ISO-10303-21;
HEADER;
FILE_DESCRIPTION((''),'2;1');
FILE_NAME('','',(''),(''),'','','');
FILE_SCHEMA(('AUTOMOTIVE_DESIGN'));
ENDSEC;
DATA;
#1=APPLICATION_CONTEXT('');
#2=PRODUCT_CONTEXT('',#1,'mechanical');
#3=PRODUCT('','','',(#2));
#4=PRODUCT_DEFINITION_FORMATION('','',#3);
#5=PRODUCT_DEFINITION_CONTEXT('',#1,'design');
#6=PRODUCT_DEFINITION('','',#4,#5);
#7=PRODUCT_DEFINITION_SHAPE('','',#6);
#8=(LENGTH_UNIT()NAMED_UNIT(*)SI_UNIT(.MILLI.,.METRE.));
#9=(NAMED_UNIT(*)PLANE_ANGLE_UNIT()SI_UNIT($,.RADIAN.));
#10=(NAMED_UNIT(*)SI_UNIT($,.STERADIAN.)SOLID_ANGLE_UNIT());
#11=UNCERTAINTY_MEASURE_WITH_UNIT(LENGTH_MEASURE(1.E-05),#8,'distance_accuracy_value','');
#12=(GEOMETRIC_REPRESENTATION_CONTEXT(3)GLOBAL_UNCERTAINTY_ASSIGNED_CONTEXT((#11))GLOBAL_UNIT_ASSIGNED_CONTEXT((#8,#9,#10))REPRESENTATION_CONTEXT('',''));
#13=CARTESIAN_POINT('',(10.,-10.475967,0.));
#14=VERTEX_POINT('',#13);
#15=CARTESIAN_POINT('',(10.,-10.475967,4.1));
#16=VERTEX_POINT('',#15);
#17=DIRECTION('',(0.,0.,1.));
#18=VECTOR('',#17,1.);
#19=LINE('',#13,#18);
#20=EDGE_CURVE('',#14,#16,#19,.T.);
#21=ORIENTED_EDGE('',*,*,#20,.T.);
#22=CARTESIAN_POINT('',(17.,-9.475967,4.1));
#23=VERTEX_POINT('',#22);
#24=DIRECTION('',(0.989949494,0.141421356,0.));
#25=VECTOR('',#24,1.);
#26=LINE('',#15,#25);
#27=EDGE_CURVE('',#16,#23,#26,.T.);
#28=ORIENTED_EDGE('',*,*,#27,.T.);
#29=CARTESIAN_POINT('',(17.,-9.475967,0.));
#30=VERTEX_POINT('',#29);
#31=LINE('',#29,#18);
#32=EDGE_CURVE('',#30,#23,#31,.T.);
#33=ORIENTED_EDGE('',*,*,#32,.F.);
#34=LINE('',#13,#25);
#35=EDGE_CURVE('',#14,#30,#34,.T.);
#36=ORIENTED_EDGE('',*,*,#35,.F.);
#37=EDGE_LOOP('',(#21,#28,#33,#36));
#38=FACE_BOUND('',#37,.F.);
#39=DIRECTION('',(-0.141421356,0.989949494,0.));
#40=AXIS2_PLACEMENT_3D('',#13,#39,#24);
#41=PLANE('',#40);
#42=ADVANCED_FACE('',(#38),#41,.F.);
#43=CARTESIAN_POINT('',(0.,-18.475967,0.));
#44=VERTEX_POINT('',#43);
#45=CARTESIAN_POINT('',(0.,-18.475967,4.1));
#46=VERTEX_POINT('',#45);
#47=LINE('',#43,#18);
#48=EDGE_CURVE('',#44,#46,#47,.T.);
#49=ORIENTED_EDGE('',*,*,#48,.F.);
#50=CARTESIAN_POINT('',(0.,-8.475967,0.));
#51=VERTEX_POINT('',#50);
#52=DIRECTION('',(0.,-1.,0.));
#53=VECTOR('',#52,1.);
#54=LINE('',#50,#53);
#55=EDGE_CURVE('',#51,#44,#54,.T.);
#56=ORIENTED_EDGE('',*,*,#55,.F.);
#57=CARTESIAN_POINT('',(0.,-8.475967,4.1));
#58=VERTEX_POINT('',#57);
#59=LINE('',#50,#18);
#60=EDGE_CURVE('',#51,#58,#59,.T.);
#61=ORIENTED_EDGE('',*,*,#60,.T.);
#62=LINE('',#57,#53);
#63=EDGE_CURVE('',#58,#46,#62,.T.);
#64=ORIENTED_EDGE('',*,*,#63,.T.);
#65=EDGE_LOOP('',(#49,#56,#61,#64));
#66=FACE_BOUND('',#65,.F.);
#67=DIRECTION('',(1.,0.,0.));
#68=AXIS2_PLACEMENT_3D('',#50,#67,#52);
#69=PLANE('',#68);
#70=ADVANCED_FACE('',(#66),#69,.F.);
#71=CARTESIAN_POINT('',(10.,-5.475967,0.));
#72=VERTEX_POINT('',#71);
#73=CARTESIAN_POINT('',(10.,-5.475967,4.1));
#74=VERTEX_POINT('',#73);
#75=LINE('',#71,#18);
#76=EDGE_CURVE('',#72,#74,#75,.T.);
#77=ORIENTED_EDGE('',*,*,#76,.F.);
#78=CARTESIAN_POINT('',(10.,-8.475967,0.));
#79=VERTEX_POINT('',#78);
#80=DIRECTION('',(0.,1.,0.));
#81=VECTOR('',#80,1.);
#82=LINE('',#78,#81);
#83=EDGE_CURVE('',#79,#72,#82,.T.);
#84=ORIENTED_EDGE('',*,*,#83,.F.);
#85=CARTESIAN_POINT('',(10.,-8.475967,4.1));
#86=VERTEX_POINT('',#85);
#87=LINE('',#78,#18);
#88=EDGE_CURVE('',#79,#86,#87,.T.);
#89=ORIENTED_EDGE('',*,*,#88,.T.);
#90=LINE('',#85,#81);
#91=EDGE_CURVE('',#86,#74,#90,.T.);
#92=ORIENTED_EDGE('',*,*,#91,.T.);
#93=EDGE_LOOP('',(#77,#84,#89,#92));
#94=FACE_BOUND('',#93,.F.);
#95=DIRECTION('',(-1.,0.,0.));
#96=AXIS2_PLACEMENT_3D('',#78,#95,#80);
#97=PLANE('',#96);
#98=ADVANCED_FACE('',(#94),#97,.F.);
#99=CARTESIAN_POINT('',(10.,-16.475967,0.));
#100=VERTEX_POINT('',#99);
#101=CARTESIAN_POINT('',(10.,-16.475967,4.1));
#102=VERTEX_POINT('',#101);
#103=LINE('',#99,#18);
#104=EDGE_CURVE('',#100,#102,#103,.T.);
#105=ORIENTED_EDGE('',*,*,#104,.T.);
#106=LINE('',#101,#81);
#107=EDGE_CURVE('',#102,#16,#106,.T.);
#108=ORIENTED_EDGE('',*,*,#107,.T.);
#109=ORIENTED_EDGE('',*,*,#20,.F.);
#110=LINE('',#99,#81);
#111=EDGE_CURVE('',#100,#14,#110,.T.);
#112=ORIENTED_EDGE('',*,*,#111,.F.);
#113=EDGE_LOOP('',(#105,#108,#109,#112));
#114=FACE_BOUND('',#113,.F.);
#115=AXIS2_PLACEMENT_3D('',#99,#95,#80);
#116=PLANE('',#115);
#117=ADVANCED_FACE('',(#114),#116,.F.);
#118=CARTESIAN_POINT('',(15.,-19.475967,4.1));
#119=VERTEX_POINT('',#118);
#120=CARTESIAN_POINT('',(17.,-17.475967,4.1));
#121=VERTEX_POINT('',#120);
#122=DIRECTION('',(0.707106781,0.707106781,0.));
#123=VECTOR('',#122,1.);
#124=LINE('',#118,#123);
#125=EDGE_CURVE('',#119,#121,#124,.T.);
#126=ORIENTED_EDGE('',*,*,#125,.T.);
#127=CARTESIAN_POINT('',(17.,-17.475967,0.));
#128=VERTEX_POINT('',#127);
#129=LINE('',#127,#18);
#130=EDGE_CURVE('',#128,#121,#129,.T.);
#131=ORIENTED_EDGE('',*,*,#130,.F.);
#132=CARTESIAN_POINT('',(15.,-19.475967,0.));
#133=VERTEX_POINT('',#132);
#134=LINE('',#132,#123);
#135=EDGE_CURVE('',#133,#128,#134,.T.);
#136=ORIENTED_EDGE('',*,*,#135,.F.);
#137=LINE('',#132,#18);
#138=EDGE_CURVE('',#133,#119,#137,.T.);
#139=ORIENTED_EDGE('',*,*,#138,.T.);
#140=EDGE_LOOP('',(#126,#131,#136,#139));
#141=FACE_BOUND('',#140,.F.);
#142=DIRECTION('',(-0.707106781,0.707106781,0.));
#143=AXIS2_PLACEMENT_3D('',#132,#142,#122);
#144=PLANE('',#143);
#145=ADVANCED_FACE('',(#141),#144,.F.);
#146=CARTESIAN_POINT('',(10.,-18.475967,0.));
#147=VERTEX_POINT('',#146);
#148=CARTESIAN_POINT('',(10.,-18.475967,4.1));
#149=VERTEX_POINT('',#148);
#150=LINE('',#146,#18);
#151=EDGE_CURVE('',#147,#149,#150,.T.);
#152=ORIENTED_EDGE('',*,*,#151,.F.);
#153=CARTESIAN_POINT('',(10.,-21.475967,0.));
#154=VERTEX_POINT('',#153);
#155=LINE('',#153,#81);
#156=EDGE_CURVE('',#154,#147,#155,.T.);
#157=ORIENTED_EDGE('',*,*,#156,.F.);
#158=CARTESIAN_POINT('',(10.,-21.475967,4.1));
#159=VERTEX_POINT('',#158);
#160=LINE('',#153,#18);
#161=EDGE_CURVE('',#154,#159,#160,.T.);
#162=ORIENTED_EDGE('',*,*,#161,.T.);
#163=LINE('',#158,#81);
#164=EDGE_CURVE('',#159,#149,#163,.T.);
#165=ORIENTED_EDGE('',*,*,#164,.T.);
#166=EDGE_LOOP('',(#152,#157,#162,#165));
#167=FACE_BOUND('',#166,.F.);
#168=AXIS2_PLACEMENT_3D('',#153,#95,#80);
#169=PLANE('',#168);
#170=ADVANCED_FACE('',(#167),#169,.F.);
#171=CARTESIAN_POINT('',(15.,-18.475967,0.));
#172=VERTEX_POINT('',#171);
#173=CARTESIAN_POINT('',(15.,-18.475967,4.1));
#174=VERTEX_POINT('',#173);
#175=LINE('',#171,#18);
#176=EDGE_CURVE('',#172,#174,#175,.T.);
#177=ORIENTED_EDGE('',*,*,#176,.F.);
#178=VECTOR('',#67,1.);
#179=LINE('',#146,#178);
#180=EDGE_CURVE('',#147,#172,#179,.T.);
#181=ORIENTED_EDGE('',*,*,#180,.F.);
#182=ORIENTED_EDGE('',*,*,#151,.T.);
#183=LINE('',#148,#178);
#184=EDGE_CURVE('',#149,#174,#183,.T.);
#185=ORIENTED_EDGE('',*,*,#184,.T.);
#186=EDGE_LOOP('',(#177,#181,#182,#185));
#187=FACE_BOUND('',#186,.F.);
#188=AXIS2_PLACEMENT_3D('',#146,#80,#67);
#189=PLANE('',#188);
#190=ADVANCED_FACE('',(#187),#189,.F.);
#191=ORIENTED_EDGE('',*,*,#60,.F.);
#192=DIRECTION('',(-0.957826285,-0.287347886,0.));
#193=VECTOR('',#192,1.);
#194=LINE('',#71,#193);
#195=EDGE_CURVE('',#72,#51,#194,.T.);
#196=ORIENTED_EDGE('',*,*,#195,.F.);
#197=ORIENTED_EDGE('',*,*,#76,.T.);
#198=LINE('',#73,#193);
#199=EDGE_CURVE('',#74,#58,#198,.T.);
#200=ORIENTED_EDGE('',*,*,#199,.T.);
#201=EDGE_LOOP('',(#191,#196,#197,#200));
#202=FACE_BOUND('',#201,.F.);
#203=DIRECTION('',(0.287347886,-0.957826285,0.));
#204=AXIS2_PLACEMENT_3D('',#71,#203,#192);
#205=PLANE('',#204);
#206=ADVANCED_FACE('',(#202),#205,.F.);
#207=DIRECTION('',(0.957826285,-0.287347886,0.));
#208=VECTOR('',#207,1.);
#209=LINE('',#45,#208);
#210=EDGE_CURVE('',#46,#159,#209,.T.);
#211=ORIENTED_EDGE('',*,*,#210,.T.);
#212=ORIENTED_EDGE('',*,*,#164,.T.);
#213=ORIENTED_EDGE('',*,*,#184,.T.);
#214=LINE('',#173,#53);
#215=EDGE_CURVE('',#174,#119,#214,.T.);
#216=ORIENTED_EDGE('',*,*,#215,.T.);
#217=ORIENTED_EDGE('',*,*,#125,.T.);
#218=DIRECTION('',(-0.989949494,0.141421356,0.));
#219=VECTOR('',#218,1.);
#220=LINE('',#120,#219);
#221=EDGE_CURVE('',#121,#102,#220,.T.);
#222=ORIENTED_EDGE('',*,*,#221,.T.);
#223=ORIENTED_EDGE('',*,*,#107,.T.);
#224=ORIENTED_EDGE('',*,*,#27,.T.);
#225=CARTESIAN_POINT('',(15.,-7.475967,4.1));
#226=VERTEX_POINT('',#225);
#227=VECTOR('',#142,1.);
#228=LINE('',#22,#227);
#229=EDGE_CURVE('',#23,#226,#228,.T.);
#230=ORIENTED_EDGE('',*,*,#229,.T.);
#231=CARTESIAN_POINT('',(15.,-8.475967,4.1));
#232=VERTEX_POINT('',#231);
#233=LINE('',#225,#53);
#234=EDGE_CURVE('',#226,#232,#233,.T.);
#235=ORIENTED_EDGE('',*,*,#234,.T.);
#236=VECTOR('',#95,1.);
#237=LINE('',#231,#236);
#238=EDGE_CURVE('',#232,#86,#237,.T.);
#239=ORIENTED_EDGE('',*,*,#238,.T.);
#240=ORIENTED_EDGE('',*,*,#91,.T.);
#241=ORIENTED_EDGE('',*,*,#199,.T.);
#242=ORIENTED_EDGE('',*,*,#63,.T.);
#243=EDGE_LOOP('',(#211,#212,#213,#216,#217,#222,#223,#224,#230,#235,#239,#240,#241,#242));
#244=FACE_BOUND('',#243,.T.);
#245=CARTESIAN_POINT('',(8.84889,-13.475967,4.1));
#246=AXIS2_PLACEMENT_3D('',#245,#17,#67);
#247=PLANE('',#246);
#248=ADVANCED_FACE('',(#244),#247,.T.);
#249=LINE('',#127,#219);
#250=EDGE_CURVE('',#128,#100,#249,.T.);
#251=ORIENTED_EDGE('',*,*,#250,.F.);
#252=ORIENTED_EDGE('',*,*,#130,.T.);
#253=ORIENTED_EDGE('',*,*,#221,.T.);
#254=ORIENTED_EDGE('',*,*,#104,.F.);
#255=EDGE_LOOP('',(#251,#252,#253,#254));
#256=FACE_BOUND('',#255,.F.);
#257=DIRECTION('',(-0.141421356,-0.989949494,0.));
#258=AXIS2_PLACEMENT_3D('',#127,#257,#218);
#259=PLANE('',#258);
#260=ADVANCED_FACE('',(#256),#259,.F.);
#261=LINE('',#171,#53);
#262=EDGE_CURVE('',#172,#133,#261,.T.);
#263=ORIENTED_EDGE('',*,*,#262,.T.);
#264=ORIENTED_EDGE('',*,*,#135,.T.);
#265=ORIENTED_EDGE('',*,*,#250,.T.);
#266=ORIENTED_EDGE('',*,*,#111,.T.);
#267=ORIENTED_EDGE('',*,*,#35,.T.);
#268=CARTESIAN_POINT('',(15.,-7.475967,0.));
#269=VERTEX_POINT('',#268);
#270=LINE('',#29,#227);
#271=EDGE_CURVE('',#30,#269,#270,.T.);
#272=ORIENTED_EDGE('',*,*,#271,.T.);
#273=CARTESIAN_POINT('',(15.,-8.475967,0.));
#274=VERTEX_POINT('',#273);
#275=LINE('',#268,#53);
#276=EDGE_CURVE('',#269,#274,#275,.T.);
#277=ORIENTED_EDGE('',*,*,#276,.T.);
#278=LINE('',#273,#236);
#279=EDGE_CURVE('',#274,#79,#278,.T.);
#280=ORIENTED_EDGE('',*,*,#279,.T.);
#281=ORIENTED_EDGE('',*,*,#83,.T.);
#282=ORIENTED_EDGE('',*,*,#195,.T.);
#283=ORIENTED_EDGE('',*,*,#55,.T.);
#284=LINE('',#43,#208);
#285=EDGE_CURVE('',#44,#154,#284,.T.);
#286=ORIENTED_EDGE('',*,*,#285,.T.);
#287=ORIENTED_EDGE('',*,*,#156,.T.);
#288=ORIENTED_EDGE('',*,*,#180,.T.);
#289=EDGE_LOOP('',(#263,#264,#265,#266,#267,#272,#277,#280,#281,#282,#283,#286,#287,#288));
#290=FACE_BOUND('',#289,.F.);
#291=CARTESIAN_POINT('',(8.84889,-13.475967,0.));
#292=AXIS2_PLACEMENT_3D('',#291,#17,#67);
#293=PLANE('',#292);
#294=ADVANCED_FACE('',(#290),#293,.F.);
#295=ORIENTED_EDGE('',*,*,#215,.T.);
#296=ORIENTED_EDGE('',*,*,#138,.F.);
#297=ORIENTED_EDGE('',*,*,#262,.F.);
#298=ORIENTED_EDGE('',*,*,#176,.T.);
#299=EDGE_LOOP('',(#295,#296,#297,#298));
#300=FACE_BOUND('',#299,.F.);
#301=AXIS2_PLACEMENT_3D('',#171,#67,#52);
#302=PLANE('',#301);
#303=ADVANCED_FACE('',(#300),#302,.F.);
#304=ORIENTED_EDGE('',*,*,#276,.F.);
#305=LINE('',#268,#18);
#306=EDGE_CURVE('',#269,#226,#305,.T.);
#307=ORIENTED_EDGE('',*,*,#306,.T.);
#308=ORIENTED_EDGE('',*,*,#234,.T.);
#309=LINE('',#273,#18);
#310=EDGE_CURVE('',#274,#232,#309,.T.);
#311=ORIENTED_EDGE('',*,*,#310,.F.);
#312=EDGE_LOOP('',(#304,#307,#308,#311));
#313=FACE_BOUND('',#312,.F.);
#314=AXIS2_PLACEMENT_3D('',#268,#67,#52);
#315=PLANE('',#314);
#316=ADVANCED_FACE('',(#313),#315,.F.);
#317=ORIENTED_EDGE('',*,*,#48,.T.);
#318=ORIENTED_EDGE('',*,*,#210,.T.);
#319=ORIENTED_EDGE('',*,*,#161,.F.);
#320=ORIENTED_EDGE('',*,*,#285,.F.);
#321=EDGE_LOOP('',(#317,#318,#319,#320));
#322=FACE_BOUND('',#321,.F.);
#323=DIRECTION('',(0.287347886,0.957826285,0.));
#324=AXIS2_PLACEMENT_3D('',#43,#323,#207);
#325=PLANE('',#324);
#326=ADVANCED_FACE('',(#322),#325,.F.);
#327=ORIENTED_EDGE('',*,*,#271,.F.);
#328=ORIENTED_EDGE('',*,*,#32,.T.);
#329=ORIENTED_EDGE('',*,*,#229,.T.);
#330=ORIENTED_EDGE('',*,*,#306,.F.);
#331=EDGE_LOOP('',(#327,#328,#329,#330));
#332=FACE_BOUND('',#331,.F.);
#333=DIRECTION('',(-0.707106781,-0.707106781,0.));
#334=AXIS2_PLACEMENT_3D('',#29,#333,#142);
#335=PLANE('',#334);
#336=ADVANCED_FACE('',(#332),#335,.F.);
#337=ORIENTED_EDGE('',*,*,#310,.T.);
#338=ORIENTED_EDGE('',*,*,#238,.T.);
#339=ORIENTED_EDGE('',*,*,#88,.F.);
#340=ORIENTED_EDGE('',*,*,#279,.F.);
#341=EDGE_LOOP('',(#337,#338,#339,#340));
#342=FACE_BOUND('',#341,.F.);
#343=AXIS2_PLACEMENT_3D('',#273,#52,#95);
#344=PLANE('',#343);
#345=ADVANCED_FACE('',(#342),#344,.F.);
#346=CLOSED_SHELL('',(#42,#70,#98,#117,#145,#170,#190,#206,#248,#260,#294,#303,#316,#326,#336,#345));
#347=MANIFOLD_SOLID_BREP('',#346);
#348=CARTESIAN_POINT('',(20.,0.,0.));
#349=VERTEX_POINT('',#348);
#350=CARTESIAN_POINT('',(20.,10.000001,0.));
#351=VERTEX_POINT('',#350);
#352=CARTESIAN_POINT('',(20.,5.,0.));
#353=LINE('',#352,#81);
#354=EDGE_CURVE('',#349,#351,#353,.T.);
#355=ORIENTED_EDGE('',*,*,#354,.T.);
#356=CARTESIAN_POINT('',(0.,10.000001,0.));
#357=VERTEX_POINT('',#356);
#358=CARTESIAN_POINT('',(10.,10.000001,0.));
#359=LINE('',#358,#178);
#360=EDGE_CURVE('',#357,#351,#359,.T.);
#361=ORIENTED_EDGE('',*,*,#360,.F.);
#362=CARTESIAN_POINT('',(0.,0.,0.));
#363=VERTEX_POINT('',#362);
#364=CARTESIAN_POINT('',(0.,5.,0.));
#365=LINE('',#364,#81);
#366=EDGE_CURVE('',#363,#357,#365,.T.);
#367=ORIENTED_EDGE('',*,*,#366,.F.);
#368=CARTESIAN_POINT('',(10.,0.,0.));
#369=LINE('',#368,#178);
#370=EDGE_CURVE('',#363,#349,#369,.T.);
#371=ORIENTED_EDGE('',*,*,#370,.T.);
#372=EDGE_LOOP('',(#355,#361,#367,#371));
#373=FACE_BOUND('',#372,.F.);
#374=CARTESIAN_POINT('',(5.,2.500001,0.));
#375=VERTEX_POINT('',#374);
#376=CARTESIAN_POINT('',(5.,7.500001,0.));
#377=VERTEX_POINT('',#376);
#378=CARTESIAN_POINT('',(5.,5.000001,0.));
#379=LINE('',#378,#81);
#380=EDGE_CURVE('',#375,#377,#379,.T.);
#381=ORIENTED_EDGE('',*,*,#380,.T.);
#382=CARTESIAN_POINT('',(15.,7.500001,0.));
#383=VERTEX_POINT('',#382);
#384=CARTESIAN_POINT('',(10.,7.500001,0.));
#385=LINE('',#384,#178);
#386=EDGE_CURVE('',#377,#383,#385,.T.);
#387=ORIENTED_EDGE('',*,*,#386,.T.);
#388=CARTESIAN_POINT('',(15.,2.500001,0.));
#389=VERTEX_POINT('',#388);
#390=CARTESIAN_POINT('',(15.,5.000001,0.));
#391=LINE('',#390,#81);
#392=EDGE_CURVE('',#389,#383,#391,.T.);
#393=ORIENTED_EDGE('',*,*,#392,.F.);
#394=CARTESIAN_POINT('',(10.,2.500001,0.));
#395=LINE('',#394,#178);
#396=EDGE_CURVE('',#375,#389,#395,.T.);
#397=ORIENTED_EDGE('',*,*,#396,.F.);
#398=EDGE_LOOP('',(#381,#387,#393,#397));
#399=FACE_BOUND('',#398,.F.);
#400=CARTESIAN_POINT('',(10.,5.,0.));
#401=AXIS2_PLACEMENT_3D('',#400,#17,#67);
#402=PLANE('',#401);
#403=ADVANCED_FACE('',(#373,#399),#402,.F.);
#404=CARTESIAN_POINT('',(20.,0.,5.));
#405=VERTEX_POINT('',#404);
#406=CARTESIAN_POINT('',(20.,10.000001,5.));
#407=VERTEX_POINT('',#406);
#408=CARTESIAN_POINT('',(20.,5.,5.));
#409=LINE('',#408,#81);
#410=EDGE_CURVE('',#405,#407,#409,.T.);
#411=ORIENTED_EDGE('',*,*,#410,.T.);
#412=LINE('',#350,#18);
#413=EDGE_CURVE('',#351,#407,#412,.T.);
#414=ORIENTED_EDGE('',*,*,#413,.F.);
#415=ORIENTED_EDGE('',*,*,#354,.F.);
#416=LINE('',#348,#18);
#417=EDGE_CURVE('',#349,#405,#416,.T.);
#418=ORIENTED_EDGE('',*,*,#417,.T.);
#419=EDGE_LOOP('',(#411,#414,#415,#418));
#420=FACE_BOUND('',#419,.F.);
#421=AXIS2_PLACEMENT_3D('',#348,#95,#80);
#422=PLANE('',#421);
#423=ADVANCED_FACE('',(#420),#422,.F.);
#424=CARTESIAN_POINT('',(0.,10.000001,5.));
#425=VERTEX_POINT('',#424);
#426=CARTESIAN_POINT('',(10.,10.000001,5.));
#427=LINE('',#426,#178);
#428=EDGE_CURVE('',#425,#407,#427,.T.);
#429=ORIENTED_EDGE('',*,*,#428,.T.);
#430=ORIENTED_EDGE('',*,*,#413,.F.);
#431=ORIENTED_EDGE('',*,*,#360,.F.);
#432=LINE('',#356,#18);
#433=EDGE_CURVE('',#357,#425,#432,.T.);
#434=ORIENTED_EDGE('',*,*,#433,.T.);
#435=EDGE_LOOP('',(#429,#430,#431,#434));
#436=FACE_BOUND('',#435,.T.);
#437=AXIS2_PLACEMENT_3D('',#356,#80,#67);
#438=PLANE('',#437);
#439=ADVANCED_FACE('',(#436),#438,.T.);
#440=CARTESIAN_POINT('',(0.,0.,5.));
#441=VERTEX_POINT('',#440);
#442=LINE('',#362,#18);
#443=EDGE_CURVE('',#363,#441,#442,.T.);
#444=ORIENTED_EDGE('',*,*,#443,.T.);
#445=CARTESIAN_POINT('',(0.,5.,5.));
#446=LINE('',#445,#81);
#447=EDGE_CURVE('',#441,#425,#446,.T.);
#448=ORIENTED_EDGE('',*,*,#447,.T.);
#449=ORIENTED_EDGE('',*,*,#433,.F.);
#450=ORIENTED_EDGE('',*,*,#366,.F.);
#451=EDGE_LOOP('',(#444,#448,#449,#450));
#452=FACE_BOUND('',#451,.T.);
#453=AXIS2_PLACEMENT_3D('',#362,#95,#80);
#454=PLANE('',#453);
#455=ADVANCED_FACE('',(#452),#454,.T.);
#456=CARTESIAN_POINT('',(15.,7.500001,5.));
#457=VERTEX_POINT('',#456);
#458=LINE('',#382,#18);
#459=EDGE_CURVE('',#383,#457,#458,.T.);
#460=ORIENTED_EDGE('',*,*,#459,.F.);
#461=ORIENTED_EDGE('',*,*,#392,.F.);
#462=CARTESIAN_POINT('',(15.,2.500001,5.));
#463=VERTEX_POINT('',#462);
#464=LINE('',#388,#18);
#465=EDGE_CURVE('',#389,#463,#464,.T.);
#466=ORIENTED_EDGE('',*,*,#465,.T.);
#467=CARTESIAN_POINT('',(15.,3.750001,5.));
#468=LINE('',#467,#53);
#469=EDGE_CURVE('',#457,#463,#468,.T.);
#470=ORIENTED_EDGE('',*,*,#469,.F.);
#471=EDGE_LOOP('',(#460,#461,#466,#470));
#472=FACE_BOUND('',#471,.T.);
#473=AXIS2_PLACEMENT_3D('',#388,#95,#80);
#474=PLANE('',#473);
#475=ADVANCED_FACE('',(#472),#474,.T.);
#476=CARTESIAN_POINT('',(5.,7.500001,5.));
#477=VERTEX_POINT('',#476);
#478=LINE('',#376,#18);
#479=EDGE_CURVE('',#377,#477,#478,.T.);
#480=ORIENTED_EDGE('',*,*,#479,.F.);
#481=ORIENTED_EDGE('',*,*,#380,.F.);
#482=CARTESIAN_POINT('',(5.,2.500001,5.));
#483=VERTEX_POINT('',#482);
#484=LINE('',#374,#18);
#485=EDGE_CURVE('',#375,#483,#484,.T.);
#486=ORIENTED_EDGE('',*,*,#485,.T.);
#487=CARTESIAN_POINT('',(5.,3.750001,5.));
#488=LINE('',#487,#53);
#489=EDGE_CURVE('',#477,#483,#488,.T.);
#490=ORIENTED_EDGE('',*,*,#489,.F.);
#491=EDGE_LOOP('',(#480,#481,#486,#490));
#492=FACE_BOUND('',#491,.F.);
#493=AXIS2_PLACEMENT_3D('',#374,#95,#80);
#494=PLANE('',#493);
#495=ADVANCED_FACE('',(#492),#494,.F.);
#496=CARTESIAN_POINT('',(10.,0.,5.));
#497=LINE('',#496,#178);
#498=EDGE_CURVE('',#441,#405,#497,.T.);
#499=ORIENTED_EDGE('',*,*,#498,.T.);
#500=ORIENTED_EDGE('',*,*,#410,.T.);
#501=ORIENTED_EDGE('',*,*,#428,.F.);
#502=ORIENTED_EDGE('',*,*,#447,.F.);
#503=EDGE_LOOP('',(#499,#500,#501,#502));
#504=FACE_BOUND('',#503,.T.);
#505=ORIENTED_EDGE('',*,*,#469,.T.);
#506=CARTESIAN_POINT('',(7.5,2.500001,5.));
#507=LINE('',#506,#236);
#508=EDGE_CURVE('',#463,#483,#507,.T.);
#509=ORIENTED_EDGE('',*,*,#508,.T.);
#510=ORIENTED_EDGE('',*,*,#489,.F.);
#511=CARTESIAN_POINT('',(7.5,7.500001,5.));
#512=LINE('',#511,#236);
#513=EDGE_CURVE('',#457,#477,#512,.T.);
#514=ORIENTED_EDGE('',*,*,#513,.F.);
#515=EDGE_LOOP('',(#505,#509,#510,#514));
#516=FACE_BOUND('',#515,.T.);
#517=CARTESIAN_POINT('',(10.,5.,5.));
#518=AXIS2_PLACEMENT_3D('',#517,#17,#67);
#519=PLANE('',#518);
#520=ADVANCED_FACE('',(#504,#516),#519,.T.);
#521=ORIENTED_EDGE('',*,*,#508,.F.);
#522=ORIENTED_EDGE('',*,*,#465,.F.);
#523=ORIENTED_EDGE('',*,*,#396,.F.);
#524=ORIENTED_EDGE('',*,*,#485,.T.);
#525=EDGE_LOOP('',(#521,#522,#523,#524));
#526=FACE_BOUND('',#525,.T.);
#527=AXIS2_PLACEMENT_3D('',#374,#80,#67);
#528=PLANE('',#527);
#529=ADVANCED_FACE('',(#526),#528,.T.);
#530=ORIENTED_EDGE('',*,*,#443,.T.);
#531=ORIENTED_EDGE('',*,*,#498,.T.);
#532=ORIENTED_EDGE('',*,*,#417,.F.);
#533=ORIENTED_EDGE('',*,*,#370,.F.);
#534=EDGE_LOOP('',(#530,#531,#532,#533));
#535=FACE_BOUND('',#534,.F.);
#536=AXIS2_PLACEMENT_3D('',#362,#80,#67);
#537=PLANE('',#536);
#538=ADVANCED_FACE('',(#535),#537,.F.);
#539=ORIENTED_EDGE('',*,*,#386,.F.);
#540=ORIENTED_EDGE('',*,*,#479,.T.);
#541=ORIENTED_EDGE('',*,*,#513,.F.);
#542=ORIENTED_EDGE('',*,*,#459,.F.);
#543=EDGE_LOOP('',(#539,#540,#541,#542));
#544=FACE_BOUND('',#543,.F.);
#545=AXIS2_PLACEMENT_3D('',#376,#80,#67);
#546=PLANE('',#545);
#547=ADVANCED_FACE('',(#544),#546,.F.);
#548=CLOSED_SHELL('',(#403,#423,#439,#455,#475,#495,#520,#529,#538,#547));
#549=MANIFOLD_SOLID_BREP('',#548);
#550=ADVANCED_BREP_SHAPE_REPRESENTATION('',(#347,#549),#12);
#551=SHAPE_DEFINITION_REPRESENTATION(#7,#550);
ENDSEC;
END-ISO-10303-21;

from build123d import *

# Parameters (mm, degrees)
F0_W     = 20
F0_H     = 10.000001
F2_DEPTH = 5
F1_W     = 10
F1_H     = 5
F3_DEPTH = 5.001
F5_DEPTH = 4.1


with BuildPart() as f2:
    # F0 (on Top) → F2 (new body)
    with BuildSketch(Plane.XY):
        with Locations((10, 5)):
            Rectangle(F0_W, F0_H)
    extrude(amount=F2_DEPTH)

    # F1 (on face) → F3 (cut, through all)
    with BuildSketch(Plane.XY):
        with Locations((10, 5.000001)):
            Rectangle(F1_W, F1_H)
    extrude(amount=F3_DEPTH, mode=Mode.SUBTRACT)


with BuildPart() as f5:
    # F4 (on Top) → F5 (new body)
    with BuildSketch(Plane.XY):
        Polygon((15, -7.475967), (15, -8.475967), (10, -8.475967), (10, -5.475967), (0, -8.475967), (0, -18.475967), (10, -21.475967), (10, -18.475967), (15, -18.475967), (15, -19.475967), (17, -17.475967), (10, -16.475967), (10, -10.475967), (17, -9.475967), align=None)
    extrude(amount=F5_DEPTH)


solid = Compound([f2.part, f5.part])
